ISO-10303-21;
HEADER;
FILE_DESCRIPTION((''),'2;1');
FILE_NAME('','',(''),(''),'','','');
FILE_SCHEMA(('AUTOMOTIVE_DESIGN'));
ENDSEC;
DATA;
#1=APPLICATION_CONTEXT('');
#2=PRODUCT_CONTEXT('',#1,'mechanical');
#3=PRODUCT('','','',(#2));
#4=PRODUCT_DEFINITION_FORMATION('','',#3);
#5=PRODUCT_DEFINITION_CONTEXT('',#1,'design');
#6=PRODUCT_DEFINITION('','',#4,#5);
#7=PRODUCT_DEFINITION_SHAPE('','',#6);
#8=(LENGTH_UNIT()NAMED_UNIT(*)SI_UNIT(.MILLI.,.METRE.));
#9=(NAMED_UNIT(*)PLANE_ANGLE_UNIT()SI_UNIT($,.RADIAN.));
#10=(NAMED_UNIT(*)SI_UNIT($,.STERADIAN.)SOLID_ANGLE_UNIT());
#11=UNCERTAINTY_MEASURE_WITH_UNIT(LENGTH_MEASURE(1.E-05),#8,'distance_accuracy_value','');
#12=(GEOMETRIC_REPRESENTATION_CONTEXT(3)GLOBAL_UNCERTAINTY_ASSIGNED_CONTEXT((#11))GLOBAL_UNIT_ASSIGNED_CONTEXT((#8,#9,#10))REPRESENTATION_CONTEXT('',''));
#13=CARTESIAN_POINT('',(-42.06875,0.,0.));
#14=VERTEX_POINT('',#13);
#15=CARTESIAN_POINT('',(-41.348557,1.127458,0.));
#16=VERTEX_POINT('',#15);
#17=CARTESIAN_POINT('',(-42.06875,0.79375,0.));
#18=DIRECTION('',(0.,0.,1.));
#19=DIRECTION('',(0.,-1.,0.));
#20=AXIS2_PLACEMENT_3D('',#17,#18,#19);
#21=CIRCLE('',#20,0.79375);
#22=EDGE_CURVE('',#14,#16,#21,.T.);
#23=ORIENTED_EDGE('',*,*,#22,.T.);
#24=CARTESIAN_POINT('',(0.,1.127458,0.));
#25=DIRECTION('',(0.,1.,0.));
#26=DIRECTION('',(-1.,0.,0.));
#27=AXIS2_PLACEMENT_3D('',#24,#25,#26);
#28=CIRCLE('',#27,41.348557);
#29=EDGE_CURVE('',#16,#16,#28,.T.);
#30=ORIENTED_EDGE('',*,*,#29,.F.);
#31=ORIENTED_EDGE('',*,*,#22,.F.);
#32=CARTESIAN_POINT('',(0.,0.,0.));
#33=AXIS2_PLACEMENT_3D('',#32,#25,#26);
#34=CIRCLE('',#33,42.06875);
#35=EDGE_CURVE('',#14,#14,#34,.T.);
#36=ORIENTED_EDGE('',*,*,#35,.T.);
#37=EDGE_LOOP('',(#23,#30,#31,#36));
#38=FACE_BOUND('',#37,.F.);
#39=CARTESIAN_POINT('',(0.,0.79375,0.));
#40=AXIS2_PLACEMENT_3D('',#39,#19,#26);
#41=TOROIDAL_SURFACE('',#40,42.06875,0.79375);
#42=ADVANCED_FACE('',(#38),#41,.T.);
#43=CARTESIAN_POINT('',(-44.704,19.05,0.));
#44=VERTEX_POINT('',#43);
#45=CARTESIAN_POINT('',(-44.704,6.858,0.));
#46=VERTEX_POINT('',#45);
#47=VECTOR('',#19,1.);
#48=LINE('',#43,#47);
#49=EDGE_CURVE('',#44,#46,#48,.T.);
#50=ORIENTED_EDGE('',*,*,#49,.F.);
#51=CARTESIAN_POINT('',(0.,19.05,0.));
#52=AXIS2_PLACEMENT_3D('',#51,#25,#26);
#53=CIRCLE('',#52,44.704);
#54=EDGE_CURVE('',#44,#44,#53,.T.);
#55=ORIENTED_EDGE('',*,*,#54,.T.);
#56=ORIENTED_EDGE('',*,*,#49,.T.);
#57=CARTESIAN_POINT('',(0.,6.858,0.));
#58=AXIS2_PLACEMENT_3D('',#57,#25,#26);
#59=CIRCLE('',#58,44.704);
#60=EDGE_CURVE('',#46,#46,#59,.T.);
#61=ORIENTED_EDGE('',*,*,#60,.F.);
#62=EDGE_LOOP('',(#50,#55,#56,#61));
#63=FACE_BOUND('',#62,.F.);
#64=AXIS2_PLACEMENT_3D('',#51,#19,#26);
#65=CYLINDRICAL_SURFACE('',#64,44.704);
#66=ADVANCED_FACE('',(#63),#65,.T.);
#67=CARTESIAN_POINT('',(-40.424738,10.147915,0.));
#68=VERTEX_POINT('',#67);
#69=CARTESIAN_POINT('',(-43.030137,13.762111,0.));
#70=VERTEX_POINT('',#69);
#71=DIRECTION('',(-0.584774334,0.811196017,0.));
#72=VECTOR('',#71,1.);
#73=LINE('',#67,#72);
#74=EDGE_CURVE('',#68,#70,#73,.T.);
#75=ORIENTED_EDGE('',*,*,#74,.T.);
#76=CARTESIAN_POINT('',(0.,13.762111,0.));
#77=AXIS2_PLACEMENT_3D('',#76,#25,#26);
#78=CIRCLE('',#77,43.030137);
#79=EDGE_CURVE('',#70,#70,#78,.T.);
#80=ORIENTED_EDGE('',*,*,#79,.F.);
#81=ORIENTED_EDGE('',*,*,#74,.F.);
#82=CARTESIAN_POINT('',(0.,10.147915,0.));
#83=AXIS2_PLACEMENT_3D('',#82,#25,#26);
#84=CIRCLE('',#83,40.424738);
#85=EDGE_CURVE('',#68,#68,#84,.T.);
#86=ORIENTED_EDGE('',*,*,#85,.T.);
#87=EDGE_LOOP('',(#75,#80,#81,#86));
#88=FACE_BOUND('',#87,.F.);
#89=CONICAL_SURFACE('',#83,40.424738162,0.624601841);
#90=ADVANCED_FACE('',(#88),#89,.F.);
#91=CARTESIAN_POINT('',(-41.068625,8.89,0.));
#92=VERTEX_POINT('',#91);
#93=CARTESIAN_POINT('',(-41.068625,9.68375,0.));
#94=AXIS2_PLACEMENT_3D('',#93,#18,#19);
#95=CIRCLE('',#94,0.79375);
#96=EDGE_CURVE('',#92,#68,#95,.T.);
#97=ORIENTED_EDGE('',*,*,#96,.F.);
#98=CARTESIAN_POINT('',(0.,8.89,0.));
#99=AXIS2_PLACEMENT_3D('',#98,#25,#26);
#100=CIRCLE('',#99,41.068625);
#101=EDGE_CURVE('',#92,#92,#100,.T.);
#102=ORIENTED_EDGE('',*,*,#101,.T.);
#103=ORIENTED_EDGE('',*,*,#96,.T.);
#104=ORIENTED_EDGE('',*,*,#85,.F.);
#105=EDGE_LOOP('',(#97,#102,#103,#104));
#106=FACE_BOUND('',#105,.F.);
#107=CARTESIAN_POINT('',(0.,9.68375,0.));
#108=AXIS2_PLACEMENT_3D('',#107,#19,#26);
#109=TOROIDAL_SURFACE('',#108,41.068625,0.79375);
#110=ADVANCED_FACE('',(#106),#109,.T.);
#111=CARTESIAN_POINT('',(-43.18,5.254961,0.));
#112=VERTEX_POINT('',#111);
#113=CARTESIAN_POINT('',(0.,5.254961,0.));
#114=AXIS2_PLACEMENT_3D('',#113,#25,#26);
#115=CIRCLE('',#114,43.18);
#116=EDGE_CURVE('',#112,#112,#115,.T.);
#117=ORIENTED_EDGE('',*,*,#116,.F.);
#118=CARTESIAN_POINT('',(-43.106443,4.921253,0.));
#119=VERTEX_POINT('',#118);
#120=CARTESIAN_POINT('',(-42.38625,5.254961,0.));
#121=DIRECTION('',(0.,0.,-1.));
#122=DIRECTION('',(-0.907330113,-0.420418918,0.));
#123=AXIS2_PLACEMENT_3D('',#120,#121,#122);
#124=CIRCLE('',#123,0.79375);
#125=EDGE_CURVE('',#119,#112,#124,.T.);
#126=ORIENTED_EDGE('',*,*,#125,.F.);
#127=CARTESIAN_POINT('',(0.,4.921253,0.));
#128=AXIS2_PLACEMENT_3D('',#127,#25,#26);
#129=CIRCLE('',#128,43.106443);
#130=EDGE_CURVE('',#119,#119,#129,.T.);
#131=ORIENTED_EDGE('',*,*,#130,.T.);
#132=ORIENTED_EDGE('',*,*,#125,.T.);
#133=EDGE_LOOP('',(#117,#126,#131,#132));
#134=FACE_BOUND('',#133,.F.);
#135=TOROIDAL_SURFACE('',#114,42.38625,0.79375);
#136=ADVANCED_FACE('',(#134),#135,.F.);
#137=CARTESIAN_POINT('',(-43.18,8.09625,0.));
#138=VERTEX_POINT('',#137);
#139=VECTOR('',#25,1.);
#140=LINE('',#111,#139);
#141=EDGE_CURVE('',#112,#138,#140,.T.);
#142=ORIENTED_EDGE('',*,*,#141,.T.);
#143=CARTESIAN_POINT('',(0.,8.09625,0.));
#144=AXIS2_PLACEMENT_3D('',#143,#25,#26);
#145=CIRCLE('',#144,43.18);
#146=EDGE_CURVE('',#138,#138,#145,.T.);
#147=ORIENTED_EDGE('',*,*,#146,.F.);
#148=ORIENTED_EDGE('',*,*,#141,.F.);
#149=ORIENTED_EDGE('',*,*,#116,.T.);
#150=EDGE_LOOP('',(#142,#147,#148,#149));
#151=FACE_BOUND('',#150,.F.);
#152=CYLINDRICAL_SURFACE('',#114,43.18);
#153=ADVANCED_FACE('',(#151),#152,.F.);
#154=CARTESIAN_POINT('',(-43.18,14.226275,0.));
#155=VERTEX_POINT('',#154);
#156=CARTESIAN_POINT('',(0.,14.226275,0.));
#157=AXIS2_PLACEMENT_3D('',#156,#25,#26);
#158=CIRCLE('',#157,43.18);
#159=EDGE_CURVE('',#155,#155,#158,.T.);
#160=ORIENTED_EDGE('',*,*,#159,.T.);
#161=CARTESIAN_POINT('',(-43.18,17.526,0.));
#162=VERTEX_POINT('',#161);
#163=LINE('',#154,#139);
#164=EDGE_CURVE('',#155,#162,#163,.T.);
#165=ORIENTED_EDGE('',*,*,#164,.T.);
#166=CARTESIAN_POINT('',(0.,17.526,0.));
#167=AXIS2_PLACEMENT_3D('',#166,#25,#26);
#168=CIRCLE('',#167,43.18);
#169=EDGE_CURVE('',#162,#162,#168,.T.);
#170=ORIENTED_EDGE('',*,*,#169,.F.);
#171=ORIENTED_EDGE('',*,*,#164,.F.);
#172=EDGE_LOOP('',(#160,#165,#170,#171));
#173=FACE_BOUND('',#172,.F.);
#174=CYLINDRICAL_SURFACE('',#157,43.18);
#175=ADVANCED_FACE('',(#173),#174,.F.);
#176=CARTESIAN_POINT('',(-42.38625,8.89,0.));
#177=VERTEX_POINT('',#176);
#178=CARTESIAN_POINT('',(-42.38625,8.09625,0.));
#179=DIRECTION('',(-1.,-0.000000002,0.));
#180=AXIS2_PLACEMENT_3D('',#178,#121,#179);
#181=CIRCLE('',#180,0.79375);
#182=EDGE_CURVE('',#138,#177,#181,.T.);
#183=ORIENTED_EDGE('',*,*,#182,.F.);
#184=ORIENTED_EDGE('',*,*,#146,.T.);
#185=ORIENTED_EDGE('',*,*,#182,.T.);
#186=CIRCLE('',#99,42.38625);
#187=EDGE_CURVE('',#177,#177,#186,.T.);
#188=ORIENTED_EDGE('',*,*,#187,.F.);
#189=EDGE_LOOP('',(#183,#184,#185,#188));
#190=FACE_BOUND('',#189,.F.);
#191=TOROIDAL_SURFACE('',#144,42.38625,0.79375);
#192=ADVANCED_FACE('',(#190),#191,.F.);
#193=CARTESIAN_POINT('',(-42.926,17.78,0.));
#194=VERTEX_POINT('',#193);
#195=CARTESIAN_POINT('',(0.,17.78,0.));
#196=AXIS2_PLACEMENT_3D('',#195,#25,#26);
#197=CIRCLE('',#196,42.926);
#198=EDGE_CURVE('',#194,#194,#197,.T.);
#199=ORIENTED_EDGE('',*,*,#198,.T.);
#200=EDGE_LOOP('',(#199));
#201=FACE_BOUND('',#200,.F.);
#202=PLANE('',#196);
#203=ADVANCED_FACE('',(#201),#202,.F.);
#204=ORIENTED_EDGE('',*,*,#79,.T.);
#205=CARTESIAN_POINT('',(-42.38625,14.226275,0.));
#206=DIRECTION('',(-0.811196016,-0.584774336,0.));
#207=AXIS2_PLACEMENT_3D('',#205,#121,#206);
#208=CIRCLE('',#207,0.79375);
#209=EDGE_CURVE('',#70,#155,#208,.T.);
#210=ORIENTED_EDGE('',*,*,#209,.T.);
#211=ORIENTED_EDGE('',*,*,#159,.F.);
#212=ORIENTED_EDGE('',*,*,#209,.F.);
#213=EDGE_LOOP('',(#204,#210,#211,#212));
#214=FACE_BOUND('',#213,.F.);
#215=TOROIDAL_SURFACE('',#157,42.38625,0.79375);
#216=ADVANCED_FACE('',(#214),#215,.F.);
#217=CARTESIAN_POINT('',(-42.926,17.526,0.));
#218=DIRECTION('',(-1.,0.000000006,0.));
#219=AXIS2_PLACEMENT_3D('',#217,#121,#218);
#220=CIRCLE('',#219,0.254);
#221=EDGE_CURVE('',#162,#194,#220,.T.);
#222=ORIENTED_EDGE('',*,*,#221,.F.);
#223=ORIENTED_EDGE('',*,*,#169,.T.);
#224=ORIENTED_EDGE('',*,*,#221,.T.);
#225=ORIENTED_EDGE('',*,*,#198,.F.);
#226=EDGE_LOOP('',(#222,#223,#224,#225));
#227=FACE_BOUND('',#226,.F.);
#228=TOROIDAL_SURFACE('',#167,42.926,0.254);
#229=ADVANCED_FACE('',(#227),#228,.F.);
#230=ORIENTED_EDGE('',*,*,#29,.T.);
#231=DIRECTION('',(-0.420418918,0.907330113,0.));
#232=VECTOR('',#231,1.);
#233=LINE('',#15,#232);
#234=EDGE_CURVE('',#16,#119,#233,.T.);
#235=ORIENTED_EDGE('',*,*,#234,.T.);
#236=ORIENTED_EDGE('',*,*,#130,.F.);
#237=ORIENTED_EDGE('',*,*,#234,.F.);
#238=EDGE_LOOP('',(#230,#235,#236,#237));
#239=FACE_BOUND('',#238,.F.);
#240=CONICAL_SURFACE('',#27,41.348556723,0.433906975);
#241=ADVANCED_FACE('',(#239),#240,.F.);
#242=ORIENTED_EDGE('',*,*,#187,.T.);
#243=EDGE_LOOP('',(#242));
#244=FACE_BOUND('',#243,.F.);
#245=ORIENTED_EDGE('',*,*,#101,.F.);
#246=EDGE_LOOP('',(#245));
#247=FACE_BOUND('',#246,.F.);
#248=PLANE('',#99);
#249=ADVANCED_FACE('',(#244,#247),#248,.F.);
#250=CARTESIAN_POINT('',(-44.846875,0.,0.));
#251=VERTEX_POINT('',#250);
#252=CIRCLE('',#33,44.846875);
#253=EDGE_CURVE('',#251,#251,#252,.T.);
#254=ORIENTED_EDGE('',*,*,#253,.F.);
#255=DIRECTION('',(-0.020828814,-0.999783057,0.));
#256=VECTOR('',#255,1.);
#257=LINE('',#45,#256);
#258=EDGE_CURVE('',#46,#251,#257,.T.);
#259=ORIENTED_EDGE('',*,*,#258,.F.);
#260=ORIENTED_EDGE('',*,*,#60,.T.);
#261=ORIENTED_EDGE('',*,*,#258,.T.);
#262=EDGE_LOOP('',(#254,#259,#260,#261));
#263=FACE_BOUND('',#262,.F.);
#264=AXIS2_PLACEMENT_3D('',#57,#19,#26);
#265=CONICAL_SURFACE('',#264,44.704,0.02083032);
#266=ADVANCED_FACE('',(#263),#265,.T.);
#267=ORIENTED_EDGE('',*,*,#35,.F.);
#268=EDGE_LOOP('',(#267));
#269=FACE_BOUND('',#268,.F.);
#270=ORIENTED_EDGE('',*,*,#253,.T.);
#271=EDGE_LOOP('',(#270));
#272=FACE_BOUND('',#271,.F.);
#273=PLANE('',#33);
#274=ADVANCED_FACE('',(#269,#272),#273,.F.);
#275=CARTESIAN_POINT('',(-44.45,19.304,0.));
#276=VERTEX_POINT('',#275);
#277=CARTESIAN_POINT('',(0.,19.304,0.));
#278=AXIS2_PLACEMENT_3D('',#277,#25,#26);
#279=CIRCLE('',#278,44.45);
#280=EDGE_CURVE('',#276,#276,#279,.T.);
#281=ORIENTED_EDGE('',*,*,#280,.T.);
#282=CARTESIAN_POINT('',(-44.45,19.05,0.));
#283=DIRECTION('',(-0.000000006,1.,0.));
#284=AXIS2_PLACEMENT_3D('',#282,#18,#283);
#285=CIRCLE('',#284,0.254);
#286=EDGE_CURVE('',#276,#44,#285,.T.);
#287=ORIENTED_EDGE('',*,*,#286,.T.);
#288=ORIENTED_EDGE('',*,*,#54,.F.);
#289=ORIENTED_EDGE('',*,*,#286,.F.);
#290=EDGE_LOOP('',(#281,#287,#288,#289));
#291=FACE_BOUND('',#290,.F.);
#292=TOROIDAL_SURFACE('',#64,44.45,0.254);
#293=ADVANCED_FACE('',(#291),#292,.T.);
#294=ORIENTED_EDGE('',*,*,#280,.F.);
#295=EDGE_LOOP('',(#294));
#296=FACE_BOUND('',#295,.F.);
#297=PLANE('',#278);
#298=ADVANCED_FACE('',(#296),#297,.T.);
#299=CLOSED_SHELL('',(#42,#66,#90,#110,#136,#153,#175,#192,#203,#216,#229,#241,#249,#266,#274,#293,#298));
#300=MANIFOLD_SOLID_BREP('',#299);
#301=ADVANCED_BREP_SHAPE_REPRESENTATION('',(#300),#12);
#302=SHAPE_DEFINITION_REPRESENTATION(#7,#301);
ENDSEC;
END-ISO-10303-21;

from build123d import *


with BuildPart() as part:
    # Sketch1 → Revolve1 (revolve)
    with BuildSketch(Plane.XY):
        with BuildLine():
            Line((0, 19.304), (-44.45, 19.304))
            ThreePointArc((-44.45, 19.304), (-44.629605122, 19.229605122), (-44.704, 19.05))
            Line((-44.704, 19.05), (-44.704, 6.858))
            Line((-44.704, 6.858), (-44.846875, 0))
            Line((-44.846875, 0), (-42.06875, 0))
            ThreePointArc((-42.06875, 0), (-41.399825713, 0.366456938), (-41.348556723, 1.127457516))
            Line((-41.348556723, 1.127457516), (-43.106443277, 4.921253029))
            ThreePointArc((-43.106443277, 4.921253029), (-43.161392721, 5.084101467), (-43.18, 5.254960545))
            Line((-43.18, 5.254960545), (-43.18, 8.09625))
            ThreePointArc((-43.18, 8.09625), (-42.947516008, 8.657516008), (-42.38625, 8.89))
            Line((-42.38625, 8.89), (-41.068625, 8.89))
            ThreePointArc((-41.068625, 8.89), (-40.362059456, 9.322081375), (-40.424738162, 10.147914628))
            Line((-40.424738162, 10.147914628), (-43.030136838, 13.762110576))
            ThreePointArc((-43.030136838, 13.762110576), (-43.141605625, 13.982396254), (-43.18, 14.226275204))
            Line((-43.18, 14.226275204), (-43.18, 17.526))
            ThreePointArc((-43.18, 17.526), (-43.105605122, 17.705605122), (-42.926, 17.78))
            Line((-42.926, 17.78), (0, 17.78))
            Line((0, 17.78), (0, 19.304))
        make_face()
    revolve(axis=Axis((0, 0, 0), (0, 1, 0)))


solid = part.part
